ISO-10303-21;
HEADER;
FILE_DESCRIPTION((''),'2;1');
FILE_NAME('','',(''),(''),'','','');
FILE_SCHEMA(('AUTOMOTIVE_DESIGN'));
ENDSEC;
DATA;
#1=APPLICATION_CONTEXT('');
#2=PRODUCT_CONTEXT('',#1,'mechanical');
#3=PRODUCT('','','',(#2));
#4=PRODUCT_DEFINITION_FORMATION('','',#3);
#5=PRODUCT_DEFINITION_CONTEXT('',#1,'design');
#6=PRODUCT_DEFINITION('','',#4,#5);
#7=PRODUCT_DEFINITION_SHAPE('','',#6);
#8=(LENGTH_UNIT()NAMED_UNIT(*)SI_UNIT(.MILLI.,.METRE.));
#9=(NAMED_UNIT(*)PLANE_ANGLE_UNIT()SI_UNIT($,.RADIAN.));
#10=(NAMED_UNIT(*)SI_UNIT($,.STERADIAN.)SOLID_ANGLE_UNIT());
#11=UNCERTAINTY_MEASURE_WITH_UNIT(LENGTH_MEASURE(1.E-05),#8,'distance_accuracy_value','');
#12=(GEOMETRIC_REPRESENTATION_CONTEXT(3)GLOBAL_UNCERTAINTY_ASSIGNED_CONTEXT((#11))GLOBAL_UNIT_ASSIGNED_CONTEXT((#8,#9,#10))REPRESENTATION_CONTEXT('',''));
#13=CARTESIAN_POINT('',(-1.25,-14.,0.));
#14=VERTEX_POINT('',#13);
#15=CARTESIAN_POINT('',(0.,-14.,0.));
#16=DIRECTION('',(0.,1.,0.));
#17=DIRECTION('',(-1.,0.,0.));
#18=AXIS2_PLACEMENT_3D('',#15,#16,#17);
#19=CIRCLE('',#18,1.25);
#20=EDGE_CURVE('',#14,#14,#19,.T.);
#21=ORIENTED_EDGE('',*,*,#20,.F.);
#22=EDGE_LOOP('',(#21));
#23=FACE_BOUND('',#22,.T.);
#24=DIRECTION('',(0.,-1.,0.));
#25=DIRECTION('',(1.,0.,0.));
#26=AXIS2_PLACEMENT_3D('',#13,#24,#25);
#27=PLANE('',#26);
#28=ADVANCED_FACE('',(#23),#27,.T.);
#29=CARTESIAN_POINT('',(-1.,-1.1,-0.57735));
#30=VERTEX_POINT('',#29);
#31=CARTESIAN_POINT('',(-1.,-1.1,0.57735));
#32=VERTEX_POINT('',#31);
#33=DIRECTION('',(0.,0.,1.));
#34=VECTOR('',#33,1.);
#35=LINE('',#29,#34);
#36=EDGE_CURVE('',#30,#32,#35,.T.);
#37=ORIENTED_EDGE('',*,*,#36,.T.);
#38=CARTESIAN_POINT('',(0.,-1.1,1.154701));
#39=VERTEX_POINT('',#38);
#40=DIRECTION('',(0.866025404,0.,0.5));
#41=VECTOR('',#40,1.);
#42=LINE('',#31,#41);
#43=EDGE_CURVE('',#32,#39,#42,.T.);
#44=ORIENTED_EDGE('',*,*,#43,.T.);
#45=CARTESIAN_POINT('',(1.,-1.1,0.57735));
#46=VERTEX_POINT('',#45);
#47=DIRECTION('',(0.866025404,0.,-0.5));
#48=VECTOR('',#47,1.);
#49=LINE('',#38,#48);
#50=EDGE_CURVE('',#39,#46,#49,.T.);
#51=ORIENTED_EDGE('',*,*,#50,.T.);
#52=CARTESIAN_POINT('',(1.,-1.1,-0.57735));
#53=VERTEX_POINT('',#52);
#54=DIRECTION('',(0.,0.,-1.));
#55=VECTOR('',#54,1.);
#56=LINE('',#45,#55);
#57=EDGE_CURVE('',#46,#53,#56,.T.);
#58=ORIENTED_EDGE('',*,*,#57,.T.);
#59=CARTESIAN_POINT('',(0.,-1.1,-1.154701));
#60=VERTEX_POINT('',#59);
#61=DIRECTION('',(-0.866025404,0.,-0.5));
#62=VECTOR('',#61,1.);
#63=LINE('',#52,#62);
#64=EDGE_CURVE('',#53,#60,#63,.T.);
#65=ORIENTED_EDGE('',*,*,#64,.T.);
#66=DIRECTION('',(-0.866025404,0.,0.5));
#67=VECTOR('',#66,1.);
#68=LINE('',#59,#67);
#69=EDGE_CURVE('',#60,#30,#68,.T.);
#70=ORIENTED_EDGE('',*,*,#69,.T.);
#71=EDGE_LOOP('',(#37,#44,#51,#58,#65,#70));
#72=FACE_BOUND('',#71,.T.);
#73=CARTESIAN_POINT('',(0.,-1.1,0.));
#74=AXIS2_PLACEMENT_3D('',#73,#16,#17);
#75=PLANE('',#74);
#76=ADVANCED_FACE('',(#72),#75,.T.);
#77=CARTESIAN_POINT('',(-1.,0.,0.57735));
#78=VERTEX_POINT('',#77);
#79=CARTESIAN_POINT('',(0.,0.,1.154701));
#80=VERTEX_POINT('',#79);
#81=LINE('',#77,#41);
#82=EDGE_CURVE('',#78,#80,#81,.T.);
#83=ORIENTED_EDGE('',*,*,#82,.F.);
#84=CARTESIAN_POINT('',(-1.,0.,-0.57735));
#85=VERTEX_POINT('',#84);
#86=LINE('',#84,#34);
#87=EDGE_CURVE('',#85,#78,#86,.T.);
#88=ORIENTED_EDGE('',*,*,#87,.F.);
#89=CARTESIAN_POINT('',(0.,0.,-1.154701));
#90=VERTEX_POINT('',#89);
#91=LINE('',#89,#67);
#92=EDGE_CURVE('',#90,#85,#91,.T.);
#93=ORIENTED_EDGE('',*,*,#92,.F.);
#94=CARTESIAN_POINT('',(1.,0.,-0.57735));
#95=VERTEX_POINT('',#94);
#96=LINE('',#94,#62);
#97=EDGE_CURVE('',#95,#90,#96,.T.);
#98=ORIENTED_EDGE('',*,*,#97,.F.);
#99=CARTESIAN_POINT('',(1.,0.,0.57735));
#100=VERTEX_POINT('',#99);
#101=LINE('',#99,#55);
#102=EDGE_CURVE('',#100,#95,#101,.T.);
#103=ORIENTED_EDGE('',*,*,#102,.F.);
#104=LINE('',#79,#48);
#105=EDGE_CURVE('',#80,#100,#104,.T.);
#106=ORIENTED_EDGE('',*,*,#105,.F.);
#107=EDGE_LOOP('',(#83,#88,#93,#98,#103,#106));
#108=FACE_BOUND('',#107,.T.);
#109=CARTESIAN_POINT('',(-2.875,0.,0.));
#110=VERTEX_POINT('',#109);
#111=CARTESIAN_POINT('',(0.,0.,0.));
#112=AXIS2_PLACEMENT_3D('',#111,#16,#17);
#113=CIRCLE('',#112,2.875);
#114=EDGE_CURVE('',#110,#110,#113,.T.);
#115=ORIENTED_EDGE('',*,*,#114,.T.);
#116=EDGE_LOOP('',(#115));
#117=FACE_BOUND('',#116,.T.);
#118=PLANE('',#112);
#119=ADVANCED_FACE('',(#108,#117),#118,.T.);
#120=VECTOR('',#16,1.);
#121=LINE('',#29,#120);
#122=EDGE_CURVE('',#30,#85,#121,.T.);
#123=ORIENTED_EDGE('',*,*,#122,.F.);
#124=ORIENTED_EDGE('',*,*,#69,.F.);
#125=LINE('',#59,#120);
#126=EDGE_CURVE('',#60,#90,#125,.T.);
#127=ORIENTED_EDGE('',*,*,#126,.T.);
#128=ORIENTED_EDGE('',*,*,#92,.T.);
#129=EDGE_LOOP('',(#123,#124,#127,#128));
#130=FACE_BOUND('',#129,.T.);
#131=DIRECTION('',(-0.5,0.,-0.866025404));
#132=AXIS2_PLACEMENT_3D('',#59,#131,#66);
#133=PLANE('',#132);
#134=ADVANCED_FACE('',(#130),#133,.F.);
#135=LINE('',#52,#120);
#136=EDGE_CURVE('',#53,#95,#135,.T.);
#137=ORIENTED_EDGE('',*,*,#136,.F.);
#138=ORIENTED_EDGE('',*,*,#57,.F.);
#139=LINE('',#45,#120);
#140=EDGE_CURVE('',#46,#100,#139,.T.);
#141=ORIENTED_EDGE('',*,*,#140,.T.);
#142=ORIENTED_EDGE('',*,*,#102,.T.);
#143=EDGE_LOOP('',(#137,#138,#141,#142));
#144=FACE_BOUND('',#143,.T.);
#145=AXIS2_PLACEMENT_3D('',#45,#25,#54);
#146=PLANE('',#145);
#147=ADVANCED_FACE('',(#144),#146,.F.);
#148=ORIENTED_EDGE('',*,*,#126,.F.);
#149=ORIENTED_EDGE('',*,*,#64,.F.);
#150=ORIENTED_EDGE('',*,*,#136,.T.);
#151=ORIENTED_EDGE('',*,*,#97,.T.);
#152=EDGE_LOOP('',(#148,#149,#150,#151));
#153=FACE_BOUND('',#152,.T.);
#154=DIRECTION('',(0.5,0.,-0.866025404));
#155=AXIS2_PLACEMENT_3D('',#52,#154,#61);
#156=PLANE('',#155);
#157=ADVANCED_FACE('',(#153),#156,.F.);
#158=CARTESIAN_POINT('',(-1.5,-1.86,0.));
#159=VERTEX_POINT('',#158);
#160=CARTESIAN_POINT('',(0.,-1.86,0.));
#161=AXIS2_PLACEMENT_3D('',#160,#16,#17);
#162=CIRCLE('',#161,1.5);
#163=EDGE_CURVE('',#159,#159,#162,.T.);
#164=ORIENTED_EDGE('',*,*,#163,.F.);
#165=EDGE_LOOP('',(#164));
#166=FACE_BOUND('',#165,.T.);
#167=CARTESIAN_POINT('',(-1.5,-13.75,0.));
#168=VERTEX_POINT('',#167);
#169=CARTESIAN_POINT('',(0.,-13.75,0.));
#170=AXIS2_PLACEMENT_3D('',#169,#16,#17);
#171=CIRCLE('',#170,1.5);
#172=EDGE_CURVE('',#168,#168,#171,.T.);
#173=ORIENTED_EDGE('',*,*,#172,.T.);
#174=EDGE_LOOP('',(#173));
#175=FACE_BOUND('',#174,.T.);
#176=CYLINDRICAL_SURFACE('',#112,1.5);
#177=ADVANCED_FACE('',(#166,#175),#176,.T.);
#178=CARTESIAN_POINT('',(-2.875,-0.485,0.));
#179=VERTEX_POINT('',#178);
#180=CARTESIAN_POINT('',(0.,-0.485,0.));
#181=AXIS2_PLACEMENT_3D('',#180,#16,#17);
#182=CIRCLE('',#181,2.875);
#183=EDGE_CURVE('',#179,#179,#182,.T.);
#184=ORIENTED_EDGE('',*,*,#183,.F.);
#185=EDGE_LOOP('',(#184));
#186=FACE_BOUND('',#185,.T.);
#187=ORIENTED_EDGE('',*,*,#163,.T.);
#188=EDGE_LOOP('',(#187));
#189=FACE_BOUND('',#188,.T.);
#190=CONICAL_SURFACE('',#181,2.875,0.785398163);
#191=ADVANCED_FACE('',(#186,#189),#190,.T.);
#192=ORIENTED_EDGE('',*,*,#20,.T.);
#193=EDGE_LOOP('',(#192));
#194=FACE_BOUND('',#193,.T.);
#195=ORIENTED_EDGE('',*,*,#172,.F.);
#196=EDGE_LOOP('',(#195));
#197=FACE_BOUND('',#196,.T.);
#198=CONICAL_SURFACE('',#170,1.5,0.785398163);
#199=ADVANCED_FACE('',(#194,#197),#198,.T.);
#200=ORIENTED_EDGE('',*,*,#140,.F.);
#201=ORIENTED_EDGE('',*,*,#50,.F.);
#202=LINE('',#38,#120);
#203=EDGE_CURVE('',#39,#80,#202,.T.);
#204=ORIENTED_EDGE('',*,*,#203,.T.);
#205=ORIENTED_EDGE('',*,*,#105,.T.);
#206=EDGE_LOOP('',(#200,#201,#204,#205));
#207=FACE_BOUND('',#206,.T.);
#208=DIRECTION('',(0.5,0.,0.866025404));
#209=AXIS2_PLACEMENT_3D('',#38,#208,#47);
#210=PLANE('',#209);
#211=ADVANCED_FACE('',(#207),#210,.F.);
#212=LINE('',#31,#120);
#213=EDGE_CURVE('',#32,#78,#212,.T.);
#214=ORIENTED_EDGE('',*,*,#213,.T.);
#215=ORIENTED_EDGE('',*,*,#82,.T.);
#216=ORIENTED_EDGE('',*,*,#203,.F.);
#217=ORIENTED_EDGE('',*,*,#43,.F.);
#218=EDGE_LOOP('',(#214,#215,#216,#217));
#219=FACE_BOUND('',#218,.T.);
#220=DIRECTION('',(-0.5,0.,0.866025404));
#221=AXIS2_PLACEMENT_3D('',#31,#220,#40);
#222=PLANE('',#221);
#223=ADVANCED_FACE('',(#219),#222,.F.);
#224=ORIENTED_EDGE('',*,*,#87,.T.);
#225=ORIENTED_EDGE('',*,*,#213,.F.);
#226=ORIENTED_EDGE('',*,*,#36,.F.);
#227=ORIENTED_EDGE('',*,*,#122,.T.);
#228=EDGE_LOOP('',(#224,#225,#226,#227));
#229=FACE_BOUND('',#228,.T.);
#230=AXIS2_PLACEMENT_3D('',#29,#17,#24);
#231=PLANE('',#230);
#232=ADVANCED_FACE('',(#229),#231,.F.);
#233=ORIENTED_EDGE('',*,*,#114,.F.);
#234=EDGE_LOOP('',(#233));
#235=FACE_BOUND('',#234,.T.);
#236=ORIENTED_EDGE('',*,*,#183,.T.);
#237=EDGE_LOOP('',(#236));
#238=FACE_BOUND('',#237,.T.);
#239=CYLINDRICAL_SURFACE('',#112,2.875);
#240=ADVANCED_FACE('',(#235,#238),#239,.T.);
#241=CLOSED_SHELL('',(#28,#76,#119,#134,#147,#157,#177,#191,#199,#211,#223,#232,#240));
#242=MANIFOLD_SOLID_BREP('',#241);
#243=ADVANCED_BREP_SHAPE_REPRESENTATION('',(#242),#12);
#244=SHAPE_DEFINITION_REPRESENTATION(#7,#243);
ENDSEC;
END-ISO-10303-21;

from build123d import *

# Parameters (mm, degrees)
CUT_EXTRUDE1_DEPTH = 1.1


with BuildPart() as part:
    # Sketch1 → Revolve1 (revolve)
    with BuildSketch(Plane.XY):
        Polygon((0, 0), (0, -14), (-1.25, -14), (-1.5, -13.75), (-1.5, -1.86), (-2.875, -0.485), (-2.875, 0), align=None)
    revolve(axis=Axis((0, 0, 0), (0, -1, 0)))

    # Sketch2 → Cut-Extrude1 (cut)
    with BuildSketch(Plane(origin=(0, 0, 0), x_dir=(1, 0, 0), z_dir=(0, 1, 0))):
        Polygon((-1, 0.577350269), (-1, -0.577350269), (0, -1.154700538), (1, -0.577350269), (1, 0.577350269), (0, 1.154700538), align=None)
    extrude(amount=-CUT_EXTRUDE1_DEPTH, mode=Mode.SUBTRACT)


solid = part.part
